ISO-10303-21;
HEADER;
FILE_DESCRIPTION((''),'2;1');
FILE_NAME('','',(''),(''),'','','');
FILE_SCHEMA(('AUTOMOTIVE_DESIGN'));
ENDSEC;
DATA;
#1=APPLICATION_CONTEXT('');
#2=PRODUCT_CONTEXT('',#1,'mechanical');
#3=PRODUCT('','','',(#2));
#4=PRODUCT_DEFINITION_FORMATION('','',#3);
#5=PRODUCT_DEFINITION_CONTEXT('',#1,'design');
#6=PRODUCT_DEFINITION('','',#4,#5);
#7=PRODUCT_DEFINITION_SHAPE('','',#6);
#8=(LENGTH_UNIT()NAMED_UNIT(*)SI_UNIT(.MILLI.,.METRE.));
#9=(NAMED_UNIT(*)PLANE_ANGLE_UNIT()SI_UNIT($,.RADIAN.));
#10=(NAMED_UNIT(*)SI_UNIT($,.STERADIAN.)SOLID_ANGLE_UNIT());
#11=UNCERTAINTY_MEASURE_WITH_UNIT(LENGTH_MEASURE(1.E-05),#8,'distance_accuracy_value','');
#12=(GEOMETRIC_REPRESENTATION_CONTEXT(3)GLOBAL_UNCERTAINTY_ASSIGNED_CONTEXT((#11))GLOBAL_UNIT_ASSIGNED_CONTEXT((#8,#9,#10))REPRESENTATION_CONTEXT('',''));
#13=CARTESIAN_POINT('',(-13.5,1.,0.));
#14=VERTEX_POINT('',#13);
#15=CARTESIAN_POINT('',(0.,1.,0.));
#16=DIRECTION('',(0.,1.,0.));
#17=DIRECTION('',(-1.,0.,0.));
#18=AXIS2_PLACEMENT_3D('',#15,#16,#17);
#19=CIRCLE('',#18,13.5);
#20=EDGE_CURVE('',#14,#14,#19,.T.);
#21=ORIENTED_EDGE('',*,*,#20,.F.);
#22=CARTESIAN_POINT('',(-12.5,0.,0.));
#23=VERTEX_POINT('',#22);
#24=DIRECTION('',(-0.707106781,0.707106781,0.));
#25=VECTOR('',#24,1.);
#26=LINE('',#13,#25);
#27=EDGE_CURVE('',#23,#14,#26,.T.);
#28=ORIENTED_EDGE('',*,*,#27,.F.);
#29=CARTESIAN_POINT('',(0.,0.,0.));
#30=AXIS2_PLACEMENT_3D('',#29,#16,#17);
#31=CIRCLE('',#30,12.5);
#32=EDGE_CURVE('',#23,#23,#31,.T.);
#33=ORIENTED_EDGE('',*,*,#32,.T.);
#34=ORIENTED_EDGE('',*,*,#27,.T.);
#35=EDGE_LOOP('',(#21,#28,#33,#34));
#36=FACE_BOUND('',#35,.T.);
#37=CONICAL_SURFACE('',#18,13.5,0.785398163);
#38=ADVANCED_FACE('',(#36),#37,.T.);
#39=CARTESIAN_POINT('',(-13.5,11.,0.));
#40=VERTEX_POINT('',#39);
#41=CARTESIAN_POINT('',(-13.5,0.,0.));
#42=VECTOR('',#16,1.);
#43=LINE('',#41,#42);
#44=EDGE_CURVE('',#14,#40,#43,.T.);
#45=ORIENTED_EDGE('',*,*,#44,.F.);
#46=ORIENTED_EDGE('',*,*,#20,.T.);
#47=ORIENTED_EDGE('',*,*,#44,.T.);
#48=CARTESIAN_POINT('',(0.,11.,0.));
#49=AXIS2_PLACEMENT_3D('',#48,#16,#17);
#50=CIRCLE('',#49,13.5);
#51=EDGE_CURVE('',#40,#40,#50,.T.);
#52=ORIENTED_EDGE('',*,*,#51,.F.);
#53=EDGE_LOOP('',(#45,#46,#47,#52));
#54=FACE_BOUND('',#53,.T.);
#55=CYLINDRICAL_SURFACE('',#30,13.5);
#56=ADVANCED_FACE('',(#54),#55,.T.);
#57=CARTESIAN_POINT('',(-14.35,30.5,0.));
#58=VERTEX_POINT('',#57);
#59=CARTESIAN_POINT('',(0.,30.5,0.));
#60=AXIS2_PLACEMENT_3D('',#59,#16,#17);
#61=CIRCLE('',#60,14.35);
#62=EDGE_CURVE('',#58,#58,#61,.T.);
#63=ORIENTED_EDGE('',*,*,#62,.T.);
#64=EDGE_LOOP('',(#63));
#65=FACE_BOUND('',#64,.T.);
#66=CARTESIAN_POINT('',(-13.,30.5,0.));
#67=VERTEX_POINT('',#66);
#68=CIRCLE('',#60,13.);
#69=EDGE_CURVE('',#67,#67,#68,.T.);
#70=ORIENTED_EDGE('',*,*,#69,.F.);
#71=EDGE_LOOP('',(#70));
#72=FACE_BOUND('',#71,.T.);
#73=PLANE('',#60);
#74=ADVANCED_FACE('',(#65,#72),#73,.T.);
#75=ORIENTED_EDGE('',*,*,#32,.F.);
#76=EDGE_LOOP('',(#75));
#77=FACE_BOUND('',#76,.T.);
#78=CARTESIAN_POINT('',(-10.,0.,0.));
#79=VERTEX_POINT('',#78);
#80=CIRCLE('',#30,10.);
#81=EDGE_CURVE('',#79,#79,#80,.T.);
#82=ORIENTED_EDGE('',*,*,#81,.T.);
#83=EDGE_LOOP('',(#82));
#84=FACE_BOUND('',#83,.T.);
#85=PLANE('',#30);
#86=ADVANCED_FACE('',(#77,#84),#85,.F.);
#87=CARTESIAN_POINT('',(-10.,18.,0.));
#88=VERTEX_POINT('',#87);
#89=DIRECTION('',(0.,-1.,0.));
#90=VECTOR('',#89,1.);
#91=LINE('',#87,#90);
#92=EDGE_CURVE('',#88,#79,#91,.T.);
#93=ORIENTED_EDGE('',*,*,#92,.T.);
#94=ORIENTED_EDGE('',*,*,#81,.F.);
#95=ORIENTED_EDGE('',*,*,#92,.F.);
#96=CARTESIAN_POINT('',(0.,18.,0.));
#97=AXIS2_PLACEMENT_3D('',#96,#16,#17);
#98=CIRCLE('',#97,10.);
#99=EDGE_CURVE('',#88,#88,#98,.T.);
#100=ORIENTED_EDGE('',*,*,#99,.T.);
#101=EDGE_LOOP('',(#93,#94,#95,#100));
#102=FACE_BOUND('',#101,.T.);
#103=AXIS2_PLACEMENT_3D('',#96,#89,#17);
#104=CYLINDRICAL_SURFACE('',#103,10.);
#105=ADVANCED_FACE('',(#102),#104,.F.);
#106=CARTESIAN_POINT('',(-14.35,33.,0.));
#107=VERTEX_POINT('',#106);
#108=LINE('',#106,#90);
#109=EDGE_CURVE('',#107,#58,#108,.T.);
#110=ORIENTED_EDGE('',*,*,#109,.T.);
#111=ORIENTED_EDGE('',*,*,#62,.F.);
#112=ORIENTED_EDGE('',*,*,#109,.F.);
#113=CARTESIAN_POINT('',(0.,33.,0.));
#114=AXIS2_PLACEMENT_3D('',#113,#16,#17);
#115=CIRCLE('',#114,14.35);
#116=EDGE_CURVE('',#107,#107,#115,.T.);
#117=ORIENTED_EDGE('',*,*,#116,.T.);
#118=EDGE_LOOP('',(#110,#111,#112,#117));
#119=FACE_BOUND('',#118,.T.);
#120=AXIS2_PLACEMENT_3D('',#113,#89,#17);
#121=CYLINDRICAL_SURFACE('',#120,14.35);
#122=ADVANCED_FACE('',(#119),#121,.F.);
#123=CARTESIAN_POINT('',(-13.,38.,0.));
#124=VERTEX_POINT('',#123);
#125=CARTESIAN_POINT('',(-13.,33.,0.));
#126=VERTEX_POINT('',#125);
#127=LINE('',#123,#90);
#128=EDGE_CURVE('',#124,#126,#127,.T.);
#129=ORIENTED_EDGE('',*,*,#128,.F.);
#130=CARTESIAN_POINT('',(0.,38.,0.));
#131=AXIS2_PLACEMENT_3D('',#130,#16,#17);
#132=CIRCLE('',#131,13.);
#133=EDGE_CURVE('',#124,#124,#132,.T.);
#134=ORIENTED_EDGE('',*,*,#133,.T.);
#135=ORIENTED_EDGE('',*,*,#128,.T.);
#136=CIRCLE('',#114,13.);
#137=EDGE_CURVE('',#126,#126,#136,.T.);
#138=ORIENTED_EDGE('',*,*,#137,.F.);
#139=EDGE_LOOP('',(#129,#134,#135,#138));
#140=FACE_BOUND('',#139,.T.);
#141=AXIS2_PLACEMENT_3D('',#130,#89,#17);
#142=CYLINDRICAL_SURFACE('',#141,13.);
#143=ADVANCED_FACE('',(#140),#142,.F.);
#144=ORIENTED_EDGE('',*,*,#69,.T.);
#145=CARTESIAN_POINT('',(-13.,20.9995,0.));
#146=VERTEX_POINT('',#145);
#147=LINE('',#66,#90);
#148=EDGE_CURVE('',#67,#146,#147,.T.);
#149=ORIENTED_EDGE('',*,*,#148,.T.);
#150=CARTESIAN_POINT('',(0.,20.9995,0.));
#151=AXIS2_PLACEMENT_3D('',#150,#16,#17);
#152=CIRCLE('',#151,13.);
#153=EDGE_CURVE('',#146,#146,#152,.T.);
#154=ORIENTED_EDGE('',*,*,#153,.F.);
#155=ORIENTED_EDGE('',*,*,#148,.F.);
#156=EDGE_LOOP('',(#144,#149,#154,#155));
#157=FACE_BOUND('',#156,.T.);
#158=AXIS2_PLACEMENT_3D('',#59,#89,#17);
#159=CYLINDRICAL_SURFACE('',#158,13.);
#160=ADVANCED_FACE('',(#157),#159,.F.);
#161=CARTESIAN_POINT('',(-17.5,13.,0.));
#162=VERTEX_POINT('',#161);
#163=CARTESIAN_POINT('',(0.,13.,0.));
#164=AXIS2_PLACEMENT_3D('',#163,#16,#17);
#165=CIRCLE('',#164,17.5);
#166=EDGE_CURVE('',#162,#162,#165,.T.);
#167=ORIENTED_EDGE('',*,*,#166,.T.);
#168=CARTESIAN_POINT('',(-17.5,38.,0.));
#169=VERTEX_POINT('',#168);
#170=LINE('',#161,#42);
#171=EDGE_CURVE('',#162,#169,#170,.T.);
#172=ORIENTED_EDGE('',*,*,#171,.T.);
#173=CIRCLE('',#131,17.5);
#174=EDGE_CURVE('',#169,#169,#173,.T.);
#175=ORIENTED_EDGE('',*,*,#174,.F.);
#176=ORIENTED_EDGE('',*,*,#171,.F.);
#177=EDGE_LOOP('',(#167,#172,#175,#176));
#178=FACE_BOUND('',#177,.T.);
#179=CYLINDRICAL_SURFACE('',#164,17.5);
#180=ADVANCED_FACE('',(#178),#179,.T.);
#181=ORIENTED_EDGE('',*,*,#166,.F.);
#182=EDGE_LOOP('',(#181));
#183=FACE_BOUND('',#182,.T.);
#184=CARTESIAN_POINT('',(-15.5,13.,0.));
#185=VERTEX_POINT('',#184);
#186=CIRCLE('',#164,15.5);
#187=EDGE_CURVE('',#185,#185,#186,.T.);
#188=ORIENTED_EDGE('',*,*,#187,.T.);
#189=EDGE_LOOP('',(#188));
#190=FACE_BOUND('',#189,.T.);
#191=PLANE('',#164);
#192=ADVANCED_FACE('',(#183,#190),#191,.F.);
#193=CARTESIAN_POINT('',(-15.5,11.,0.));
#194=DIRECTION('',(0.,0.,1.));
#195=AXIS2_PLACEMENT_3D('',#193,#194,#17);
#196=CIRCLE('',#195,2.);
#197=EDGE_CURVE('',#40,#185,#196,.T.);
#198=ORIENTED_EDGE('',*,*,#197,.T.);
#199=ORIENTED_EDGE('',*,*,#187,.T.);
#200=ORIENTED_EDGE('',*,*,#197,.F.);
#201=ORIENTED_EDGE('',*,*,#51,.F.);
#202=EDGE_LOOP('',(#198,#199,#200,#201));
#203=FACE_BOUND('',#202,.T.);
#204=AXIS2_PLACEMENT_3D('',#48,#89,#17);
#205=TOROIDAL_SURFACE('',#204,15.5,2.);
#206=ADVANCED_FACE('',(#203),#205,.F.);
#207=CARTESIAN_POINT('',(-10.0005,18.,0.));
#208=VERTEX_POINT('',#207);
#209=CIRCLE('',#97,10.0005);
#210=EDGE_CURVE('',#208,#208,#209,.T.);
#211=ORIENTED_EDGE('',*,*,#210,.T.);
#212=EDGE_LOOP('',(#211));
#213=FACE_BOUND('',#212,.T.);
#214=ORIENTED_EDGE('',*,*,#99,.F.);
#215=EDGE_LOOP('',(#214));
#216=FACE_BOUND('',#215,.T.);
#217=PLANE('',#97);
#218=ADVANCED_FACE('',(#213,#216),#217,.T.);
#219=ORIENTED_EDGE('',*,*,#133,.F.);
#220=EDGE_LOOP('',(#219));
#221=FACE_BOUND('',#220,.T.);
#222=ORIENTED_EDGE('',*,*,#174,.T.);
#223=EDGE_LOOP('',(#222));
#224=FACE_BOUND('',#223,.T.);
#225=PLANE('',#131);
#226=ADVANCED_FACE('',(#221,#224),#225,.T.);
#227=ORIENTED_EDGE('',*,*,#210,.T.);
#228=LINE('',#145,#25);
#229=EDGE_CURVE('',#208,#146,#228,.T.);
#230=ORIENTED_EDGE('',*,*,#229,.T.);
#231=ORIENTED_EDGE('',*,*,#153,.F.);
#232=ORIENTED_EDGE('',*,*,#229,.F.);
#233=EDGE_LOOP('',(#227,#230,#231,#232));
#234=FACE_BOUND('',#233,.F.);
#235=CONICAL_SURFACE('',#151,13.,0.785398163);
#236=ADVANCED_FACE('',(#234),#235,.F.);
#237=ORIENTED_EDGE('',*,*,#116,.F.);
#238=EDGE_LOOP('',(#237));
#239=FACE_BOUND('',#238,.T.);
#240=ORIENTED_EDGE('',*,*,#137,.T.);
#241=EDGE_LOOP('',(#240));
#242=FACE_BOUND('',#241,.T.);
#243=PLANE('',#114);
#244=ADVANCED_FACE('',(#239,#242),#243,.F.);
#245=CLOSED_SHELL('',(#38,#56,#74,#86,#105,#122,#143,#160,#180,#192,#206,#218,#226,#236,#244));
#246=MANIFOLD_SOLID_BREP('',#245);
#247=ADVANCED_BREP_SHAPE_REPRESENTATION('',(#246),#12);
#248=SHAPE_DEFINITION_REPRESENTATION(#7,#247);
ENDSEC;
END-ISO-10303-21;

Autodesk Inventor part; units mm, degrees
ref_plane "YZ Plane" through (0, 0, 0) normal (1, 0, 0) x (0, 1, 0)
ref_plane "XZ Plane" through (0, 0, 0) normal (0, 1, 0) x (-1, 0, 0)
ref_plane "XY Plane" through (0, 0, 0) normal (0, 0, 1) x (1, 0, 0)
sketch "Sketch1" plane through (0, 0, 0) normal (0, 0, 1) x (1, 0, 0)
  line L0 (0, 0) -> (-13.5, 0)
  line L1 (-13.5, 0) -> (-13.5, 13)
  line L2 (-13.5, 13) -> (-17.5, 13)
  line L3 (-17.5, 13) -> (-17.5, 38)
  line L4 (-17.5, 38) -> (-13, 38)
  line L5 (-13, 38) -> (-13, 33)
  line L6 (-13, 33) -> (-14.35, 33)
  line L7 (-14.35, 33) -> (-14.35, 30.5)
  line L8 (-14.35, 30.5) -> (-13, 30.5)
  line L9 (-13, 30.5) -> (-13, 18)
  line L10 (-13, 18) -> (-10, 18)
  line L11 (-10, 18) -> (-10, 0)
  line L12 (0, 0) -> (0, 38)
  dimension "d0" = 13.5
  dimension "d1" = 13
  dimension "d2" = 4
  dimension "d3" = 25
  dimension "d4" = 4.5
  dimension "d5" = 5
  dimension "d6" = 1.35
  dimension "d7" = 2.5
  dimension "d8" = 12.5
  dimension "d9" = 3
revolve "Revolution1" add sketch "Sketch1" angle 360 about axis through (0, 0, 0) along (0, 1, 0)
fillet "Fillet1" radius 2 1 edges at (13.5, 13, 0)
chamfer "Chamfer1" distance 3 angle 45 1 edges at (13, 18, 0)
chamfer "Chamfer2" distance 1 angle 45 1 edges at (13.5, 0, 0)
thread "Thread1" size "M27x3" class "6g" standard "ANSI Metric M Profile" full length
properties part number "Heated tube-transfer tube connector" material "Polypropylene"
